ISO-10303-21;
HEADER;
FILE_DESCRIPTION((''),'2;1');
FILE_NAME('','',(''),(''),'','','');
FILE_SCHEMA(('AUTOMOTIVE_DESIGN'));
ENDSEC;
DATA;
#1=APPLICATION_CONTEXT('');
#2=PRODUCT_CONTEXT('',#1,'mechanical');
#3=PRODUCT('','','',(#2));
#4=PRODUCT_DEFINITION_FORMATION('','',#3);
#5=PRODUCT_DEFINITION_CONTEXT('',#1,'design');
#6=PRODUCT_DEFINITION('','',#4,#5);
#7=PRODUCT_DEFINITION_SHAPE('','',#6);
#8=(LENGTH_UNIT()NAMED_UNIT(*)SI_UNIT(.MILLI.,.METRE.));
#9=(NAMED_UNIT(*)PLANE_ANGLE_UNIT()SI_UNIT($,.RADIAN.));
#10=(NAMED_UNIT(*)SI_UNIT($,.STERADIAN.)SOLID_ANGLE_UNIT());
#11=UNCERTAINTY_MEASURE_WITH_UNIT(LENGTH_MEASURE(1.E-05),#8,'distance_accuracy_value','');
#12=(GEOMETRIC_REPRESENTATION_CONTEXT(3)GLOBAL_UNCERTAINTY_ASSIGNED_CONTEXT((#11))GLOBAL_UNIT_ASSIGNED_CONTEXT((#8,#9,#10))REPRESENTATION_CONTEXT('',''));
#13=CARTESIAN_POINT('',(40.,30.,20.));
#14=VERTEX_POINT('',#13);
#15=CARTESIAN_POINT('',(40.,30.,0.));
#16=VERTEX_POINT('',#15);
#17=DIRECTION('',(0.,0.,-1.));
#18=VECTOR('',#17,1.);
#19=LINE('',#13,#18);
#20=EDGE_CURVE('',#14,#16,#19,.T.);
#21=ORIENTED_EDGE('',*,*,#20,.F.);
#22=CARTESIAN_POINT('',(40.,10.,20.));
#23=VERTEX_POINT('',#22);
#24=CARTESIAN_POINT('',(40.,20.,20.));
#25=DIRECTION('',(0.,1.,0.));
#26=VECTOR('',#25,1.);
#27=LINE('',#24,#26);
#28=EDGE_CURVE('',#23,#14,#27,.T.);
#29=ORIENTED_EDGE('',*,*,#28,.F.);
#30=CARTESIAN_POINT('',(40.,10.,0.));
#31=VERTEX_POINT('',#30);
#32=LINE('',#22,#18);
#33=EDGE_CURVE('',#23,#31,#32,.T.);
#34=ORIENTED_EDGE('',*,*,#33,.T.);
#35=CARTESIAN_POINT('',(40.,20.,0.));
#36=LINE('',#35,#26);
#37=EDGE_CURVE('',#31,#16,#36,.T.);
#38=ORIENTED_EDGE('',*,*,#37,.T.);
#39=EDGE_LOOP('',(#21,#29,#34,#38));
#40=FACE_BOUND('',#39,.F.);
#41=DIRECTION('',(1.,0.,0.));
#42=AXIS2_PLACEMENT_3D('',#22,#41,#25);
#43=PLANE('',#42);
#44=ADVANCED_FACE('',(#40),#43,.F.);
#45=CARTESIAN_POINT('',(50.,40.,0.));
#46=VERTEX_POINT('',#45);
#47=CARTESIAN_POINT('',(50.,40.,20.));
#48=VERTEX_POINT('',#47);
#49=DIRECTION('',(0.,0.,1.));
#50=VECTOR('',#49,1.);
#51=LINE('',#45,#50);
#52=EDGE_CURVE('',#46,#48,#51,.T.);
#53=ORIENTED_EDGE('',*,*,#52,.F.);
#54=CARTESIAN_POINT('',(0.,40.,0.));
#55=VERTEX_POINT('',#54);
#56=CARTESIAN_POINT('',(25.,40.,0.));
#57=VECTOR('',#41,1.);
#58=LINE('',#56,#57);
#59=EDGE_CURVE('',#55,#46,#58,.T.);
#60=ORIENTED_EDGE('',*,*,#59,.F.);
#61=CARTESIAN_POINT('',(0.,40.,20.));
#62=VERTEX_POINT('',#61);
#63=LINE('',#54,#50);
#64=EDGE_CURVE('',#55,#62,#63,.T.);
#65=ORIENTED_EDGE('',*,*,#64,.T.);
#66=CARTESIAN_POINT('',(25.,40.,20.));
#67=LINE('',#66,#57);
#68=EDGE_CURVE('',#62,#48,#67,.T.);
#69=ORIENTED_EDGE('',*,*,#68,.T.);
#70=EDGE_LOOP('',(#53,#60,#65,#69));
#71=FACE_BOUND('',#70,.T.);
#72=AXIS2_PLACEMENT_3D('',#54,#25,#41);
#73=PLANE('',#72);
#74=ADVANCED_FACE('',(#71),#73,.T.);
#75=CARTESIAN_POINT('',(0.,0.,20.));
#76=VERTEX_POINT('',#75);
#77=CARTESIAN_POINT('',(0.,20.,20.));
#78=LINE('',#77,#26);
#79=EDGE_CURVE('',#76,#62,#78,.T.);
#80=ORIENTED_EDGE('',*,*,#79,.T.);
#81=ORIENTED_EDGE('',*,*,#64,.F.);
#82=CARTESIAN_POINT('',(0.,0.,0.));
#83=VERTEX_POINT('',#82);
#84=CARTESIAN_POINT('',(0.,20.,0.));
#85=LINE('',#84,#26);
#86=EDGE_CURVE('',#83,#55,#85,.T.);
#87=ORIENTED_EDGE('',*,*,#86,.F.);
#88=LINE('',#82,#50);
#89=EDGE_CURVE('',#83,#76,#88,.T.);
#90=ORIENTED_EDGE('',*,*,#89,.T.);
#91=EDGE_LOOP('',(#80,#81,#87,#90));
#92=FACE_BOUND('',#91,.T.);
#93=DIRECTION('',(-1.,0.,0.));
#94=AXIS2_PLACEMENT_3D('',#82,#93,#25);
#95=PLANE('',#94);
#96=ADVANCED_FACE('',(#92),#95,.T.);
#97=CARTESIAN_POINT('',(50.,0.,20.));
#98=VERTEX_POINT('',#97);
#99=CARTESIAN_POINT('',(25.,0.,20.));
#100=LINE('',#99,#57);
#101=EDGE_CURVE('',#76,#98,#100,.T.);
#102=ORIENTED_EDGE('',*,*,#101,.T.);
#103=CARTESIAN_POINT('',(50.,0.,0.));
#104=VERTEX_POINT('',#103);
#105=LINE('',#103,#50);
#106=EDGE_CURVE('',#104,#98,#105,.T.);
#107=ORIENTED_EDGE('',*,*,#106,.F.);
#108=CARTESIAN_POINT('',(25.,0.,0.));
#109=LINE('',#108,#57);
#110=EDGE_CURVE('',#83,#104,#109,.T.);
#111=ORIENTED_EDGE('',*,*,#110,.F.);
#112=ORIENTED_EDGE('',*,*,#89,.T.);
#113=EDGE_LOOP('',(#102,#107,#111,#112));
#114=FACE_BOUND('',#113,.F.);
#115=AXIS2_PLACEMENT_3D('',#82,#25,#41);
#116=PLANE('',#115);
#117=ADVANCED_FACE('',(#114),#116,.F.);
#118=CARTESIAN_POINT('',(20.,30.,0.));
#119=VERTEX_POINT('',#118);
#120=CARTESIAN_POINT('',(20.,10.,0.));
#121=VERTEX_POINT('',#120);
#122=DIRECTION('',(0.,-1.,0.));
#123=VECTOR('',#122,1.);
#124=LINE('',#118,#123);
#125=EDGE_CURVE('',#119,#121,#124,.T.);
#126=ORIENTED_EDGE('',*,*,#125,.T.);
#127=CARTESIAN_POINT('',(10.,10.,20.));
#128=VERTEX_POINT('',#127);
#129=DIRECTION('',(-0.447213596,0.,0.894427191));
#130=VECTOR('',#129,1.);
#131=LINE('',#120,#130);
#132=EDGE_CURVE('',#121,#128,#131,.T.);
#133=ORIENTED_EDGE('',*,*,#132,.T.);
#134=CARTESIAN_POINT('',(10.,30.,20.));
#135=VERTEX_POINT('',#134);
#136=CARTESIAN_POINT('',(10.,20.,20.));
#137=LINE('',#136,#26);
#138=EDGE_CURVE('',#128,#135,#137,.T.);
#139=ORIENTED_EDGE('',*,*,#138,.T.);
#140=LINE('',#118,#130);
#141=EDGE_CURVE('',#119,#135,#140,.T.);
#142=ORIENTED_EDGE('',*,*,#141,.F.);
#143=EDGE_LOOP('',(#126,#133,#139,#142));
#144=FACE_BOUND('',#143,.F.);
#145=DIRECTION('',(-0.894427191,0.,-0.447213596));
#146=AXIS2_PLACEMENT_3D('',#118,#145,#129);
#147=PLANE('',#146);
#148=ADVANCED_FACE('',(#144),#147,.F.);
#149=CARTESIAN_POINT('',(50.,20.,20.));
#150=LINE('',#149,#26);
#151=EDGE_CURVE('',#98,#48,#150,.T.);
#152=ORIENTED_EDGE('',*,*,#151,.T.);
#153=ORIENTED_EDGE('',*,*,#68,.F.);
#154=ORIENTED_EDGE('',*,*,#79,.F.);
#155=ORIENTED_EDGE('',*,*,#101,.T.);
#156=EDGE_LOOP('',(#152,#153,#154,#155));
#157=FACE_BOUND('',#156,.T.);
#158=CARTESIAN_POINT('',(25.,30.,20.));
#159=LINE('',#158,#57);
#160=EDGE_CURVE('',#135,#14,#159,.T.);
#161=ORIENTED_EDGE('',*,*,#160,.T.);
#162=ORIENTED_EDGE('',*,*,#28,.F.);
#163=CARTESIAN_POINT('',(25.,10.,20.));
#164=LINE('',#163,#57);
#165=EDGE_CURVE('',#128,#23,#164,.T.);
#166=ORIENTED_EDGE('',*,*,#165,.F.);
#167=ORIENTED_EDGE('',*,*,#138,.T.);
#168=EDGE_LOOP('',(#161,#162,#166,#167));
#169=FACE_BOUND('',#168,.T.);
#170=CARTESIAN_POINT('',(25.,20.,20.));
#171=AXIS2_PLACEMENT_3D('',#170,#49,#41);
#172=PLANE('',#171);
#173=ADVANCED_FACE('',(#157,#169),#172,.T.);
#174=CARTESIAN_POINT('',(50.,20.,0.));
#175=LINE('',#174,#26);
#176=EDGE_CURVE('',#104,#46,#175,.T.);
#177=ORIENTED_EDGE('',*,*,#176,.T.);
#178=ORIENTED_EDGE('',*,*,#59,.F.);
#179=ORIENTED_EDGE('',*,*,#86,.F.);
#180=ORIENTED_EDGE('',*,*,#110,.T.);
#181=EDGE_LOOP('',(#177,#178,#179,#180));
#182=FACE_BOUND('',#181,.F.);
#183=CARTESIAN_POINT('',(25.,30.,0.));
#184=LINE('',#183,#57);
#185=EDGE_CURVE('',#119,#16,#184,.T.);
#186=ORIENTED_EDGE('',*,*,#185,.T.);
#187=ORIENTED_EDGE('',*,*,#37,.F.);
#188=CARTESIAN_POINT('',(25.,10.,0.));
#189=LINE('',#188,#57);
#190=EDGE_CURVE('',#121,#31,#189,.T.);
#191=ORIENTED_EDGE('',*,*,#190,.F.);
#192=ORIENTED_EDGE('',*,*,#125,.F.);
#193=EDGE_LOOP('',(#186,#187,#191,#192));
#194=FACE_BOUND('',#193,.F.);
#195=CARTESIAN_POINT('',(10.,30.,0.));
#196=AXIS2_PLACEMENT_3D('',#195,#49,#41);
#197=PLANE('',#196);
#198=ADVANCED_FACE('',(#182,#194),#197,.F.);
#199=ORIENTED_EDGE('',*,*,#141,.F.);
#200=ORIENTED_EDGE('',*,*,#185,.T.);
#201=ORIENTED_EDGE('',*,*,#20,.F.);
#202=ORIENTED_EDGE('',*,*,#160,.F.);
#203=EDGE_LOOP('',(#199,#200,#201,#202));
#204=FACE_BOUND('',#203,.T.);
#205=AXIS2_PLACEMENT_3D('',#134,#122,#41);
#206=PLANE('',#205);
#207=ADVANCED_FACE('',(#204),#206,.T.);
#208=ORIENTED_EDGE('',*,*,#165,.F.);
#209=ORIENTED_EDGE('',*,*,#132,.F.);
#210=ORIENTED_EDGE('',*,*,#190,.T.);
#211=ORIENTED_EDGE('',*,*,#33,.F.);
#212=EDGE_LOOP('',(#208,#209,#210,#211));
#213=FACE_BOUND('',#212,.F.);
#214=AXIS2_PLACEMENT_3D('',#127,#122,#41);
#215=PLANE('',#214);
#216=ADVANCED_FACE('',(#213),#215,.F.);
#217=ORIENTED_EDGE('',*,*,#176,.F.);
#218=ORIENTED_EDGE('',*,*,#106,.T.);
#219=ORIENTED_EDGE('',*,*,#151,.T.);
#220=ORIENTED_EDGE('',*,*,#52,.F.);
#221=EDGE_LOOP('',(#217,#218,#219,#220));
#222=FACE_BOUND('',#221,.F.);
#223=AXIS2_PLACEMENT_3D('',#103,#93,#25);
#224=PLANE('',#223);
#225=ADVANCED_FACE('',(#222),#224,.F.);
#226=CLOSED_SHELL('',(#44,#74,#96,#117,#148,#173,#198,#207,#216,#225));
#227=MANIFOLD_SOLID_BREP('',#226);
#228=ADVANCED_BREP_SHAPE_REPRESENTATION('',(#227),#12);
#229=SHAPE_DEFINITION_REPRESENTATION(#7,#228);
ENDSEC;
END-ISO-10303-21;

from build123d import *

# Parameters (mm, degrees)
F0_W     = 50
F0_H     = 40
F1_DEPTH = 20
F2_W     = 30
F2_H     = 20
F3_DEPTH = 20
F5_DEPTH = 20


with BuildPart() as f1:
    # F0 (on Top) → F1 (new body)
    with BuildSketch(Plane.XY):
        with Locations((25, 20)):
            Rectangle(F0_W, F0_H)
    extrude(amount=F1_DEPTH)

    # F2 (on face) → F3 (cut)
    with BuildSketch(Plane.XY.offset(20)):
        with Locations((25, 20)):
            Rectangle(F2_W, F2_H)
    extrude(amount=-F3_DEPTH, mode=Mode.SUBTRACT)

    # F4 (on face) → F5 (join)
    with BuildSketch(Plane.XZ.offset(-30)):
        Polygon((20, 0), (10, 20), (10, 0), align=None)
    extrude(amount=F5_DEPTH)


solid = f1.part
